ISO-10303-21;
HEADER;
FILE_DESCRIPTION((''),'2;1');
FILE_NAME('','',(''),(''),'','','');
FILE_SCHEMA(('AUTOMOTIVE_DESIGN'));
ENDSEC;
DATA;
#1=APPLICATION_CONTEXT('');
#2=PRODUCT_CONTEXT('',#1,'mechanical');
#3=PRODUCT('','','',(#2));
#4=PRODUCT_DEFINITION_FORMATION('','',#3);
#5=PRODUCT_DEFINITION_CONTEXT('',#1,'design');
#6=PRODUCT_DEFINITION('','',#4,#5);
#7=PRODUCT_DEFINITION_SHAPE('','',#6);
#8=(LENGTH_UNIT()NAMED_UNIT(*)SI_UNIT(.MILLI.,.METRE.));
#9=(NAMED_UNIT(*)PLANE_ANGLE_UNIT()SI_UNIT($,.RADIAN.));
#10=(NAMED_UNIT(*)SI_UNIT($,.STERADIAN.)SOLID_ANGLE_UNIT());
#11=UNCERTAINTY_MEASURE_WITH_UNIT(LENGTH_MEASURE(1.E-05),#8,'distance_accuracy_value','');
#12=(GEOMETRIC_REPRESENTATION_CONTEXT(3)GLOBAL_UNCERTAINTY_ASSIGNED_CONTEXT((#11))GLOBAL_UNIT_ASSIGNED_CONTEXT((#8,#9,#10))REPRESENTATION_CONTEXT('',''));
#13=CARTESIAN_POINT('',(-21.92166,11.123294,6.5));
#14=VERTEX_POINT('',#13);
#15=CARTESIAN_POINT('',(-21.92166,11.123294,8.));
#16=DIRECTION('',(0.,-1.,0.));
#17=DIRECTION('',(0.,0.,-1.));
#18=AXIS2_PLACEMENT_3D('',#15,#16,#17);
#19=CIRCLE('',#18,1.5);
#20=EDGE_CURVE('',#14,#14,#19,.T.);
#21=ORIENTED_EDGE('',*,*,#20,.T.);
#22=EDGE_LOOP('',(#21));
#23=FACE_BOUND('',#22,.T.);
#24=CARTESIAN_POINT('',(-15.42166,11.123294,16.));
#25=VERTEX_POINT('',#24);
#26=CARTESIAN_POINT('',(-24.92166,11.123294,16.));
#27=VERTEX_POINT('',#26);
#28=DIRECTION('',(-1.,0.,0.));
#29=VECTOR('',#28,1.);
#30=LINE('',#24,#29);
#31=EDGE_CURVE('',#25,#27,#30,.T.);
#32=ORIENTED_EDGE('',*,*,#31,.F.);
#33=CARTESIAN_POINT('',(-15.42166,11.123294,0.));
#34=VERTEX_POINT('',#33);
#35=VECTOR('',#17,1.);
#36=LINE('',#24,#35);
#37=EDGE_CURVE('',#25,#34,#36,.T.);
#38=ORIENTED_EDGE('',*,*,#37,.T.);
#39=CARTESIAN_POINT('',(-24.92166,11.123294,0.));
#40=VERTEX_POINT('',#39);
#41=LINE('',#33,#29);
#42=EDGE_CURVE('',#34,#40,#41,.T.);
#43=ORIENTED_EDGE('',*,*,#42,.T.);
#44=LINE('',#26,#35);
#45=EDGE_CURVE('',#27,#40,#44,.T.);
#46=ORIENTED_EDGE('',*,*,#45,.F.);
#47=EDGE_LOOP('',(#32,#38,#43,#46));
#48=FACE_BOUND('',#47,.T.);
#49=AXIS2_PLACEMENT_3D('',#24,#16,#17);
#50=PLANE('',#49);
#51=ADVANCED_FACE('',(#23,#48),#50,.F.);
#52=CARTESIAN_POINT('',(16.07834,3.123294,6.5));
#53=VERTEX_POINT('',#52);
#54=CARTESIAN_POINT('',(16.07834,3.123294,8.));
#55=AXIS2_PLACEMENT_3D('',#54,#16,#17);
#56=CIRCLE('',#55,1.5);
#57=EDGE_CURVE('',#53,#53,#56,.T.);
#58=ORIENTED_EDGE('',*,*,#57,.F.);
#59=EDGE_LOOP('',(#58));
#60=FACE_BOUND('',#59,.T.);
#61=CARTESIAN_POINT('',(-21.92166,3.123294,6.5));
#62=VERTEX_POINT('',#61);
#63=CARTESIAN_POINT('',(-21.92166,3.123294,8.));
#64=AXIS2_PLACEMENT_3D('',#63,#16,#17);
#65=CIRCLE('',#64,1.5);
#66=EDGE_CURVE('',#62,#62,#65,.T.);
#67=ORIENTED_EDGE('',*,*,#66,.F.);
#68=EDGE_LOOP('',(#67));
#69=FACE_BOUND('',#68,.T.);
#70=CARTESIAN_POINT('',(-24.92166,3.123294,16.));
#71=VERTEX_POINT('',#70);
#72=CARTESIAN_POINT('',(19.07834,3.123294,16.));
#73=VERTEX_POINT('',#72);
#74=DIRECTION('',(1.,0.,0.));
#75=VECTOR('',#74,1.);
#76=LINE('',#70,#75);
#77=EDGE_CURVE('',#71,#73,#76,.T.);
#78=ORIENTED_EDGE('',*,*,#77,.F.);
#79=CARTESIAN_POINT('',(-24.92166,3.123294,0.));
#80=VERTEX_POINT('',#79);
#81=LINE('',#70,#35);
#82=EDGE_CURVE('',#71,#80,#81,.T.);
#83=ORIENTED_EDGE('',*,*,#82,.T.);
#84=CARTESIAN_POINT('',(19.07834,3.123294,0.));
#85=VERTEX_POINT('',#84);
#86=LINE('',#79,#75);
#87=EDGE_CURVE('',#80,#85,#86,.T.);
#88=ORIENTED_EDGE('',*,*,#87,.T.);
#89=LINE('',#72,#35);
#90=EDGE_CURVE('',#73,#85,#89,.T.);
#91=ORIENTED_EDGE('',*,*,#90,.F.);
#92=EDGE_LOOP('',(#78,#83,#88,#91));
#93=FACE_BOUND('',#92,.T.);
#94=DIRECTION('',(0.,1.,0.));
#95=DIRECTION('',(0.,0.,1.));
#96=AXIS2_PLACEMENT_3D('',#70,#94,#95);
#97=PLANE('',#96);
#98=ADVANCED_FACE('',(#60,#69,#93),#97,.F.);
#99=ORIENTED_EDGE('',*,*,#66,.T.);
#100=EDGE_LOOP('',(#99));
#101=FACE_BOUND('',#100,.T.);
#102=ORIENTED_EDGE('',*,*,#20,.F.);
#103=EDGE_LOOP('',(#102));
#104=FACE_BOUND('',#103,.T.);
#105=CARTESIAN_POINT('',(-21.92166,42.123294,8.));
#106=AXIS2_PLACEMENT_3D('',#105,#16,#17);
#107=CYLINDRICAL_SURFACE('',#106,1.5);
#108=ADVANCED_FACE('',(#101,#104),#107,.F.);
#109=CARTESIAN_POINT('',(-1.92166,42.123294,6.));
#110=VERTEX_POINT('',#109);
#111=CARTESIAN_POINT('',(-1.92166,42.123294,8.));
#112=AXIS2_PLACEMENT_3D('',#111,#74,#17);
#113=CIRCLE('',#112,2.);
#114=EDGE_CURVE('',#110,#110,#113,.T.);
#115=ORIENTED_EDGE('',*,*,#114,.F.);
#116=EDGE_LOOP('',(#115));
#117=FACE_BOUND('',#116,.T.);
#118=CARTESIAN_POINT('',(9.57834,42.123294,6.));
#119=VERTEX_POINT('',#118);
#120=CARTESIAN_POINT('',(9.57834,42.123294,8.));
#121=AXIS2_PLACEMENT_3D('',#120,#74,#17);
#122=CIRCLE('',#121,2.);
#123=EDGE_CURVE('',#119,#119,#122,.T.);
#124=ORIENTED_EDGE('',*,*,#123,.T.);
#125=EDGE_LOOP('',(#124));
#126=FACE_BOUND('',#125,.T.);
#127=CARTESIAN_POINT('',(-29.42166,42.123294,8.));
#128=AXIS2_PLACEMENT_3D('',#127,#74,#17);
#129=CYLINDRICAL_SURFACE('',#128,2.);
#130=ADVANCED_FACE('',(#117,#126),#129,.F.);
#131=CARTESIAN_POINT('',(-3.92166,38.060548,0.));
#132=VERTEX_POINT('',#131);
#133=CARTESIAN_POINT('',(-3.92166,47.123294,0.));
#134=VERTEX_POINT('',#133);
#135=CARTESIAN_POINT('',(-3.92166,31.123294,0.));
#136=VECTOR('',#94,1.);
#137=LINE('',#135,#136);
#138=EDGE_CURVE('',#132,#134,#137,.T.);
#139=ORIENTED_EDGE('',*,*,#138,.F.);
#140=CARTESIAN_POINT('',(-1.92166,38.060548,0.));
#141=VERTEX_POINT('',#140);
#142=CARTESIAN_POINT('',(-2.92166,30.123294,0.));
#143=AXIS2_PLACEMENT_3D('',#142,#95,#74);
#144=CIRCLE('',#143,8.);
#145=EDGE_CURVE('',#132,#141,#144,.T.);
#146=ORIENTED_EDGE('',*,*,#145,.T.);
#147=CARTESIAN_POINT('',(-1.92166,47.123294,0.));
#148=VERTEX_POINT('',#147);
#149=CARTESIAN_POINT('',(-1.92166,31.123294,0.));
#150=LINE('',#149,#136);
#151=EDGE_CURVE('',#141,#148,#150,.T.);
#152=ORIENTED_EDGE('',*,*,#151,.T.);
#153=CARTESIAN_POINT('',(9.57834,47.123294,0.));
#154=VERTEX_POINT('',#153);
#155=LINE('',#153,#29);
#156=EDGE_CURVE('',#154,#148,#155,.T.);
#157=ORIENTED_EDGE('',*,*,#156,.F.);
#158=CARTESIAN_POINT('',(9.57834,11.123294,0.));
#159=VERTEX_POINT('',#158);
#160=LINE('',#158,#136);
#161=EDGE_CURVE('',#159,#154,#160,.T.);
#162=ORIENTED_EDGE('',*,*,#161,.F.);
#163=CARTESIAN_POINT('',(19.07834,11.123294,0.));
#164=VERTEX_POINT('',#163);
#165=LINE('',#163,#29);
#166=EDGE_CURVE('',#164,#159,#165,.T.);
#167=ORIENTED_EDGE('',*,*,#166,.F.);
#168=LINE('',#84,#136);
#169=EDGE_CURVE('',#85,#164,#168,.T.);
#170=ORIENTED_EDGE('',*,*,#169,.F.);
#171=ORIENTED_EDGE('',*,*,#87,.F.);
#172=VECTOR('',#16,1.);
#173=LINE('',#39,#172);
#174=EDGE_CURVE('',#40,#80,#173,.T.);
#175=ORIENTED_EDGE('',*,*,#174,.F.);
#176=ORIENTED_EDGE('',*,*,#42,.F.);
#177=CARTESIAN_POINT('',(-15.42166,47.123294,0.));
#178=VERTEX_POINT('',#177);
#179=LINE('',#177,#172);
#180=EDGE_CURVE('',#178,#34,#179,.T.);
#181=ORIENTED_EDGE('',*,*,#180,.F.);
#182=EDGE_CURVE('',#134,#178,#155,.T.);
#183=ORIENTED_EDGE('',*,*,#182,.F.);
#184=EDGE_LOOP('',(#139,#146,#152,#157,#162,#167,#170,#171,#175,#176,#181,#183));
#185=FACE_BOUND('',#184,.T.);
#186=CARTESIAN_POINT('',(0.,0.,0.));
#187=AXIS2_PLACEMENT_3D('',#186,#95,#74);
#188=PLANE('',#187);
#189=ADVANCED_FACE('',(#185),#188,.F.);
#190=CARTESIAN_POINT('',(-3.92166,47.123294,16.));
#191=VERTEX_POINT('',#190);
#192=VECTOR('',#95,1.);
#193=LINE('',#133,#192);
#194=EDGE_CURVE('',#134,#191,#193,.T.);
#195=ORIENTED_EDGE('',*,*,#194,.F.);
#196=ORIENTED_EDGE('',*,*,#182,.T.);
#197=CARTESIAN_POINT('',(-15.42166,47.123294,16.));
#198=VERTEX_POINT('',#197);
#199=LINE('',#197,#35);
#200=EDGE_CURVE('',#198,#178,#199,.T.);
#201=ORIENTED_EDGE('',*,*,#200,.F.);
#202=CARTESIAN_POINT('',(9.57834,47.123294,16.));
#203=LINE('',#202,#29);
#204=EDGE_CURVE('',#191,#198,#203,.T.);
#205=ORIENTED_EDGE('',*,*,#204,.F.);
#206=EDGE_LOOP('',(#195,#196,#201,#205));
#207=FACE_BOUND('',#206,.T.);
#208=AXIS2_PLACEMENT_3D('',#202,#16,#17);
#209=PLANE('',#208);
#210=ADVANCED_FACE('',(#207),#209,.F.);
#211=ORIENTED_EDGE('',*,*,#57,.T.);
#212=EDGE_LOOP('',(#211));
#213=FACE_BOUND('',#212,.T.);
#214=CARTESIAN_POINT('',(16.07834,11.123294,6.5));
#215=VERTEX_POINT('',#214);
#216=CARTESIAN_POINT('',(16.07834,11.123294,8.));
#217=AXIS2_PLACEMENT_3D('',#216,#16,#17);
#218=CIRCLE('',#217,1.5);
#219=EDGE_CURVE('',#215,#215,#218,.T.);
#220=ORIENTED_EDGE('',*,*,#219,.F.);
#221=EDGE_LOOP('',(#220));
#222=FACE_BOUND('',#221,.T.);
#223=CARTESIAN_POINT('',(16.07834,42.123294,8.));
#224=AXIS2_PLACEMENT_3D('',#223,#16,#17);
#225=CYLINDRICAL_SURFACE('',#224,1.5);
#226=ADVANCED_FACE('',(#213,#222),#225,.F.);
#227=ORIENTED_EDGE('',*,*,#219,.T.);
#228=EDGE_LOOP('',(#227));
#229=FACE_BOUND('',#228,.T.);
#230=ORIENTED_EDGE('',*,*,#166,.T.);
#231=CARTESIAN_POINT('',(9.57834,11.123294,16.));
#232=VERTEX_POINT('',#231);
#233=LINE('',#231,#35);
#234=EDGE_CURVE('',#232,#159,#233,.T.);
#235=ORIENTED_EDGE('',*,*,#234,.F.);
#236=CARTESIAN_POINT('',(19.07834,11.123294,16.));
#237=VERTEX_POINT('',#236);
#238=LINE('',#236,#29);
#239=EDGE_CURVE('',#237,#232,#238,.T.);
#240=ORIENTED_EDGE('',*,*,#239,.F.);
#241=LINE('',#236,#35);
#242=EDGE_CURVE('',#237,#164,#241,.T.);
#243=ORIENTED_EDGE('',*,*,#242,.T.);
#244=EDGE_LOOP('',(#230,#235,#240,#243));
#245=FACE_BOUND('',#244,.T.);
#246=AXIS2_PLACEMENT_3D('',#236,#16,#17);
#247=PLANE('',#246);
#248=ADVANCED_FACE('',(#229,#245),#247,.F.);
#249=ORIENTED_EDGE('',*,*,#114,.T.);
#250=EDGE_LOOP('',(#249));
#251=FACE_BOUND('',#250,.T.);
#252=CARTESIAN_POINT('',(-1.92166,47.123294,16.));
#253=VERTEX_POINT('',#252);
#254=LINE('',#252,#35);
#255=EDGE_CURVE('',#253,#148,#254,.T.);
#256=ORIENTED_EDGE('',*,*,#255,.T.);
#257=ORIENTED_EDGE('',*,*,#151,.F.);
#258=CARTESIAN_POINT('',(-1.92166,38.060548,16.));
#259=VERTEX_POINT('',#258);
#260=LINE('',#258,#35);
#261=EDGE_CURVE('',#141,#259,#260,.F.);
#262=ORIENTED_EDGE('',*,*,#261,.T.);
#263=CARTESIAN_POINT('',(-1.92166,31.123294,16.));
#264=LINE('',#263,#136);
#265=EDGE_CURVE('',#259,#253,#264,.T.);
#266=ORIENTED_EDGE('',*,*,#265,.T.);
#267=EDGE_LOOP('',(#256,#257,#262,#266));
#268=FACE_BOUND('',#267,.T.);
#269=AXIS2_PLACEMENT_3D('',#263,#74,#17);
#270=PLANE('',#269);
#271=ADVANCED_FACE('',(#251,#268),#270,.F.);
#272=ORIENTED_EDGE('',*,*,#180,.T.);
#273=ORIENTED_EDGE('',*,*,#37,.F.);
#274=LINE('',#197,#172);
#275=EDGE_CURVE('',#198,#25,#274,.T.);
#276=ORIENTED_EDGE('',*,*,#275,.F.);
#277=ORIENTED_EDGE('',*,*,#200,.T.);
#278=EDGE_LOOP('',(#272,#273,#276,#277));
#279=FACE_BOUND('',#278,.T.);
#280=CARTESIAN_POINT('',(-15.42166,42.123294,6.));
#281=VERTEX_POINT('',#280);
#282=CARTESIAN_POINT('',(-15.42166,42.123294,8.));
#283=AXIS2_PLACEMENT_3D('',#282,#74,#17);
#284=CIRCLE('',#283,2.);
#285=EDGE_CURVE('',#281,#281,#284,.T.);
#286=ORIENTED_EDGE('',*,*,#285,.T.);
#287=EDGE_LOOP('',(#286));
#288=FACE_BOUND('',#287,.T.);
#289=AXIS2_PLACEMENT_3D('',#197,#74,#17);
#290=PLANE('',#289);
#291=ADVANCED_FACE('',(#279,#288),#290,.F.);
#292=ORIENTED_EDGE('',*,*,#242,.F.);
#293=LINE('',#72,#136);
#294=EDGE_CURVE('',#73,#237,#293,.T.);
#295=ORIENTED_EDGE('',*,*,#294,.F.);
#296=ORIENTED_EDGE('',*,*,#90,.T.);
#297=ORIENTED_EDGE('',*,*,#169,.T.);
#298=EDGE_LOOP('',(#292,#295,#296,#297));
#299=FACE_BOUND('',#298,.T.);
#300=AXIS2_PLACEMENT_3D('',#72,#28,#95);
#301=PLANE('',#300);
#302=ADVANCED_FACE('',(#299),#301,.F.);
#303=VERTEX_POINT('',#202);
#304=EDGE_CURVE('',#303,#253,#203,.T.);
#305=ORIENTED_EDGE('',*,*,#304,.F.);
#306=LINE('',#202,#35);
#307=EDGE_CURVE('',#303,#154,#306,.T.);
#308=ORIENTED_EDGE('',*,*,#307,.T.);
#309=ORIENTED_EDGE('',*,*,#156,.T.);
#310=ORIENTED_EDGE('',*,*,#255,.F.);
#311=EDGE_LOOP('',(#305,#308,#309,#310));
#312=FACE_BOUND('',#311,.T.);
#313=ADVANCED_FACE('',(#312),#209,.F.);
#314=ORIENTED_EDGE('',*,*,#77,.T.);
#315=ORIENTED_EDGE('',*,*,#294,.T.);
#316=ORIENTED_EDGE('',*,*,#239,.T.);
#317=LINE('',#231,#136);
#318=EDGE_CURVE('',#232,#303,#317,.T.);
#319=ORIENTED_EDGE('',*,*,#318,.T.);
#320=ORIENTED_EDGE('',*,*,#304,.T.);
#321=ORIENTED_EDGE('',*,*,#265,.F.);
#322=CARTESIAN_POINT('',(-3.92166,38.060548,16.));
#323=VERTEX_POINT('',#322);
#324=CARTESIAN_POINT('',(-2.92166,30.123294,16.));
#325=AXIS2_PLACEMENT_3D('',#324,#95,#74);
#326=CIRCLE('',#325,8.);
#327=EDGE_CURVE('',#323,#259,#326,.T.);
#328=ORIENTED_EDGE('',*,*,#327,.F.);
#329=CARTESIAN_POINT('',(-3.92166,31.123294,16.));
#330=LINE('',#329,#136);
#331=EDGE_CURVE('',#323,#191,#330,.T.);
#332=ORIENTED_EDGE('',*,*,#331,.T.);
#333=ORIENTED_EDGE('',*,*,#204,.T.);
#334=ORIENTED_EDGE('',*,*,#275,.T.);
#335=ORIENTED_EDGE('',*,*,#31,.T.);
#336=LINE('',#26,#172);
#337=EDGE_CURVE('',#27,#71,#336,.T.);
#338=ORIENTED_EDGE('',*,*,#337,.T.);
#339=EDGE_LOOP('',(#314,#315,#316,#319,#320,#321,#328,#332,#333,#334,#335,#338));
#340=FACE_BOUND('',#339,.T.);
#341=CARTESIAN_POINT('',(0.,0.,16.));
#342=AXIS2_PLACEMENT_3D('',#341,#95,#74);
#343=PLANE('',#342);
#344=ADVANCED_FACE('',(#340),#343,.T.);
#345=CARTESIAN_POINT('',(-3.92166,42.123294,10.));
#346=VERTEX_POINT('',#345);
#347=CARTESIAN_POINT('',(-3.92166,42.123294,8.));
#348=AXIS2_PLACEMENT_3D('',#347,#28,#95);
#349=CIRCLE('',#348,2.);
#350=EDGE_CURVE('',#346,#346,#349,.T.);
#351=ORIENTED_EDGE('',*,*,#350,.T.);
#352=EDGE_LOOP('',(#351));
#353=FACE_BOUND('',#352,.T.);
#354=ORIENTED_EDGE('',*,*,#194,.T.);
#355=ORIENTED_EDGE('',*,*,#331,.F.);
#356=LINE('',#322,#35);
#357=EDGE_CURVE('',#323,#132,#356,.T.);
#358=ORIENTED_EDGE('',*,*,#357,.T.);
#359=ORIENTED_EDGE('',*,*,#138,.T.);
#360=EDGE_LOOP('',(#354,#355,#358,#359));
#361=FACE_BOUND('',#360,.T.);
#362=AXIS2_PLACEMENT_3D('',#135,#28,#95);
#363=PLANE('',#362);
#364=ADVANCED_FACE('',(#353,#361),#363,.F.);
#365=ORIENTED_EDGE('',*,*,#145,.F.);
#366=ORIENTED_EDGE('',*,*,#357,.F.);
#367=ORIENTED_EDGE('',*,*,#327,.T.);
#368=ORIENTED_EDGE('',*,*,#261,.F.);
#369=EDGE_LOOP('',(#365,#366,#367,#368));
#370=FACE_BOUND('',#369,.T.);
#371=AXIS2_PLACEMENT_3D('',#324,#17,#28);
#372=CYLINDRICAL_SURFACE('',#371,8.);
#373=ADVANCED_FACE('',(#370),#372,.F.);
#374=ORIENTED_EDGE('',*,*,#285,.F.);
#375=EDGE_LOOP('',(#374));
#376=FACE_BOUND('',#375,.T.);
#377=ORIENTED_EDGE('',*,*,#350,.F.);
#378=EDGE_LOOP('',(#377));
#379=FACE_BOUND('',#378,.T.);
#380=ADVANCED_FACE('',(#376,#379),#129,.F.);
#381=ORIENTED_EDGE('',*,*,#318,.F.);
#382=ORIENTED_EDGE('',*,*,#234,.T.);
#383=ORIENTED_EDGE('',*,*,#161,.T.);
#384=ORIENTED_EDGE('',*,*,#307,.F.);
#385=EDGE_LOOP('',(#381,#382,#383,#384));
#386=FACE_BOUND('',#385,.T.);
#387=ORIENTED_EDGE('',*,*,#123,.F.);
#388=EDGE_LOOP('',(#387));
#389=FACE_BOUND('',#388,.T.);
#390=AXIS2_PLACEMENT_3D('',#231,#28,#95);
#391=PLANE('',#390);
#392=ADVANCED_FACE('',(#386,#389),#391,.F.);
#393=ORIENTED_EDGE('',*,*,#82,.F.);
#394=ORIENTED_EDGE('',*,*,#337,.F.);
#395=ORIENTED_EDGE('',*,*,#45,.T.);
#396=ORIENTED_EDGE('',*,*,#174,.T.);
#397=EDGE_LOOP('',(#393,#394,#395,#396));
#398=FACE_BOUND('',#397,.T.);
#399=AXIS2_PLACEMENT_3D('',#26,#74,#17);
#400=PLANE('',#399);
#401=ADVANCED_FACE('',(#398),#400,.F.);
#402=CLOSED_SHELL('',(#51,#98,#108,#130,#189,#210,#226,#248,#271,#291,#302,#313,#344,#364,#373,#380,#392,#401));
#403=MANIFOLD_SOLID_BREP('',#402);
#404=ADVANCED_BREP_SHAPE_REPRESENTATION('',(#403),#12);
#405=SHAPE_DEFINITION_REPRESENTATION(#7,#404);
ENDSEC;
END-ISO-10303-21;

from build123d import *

# Parameters (mm, degrees)
SKETCH_1_R          = 8
EXTRUDE_1_DEPTH     = 16
SKETCH_2_W          = 2
SKETCH_2_H          = 16
CUT_EXTRUDE_1_DEPTH = 16
SKETCH_3_R          = 2
CUT_EXTRUDE_2_DEPTH = 39
SKETCH_4_R          = 1.5
CUT_EXTRUDE_3_DEPTH = 39


with BuildPart() as part:
    # 草图1 → 凸台-拉伸1 (new body)
    with BuildSketch(Plane.XY):
        Polygon((-24.921659643, 3.123294018), (19.078340357, 3.123294018), (19.078340357, 11.123294018), (9.578340357, 11.123294018), (9.578340357, 47.123294018), (-15.421659643, 47.123294018), (-15.421659643, 11.123294018), (-24.921659643, 11.123294018), align=None)
        with Locations((-2.921659643, 30.123294018)):
            Circle(SKETCH_1_R, mode=Mode.SUBTRACT)
    extrude(amount=EXTRUDE_1_DEPTH)

    # 草图2 → 切除-拉伸1 (cut)
    with BuildSketch(Plane(origin=(0, 47.123294018, 0), x_dir=(1, 0, 0), z_dir=(0, 1, 0))):
        with Locations((-2.921659643, -8)):
            Rectangle(SKETCH_2_W, SKETCH_2_H)
    extrude(amount=-CUT_EXTRUDE_1_DEPTH, mode=Mode.SUBTRACT)

    # 草图3 → 切除-拉伸2 (cut)
    with BuildSketch(Plane(origin=(9.578340357, 0, 0), x_dir=(0, 0, -1), z_dir=(1, 0, 0))):
        with Locations((-8, 42.123294018)):
            Circle(SKETCH_3_R)
    extrude(amount=-CUT_EXTRUDE_2_DEPTH, mode=Mode.SUBTRACT)

    # 草图4 → 切除-拉伸3 (cut)
    with BuildSketch(Plane.XZ.offset(-3.123294018)):
        with Locations((-21.921659643, 8)):
            Circle(SKETCH_4_R)
        with Locations((16.078340357, 8)):
            Circle(SKETCH_4_R)
    extrude(amount=-CUT_EXTRUDE_3_DEPTH, mode=Mode.SUBTRACT)


solid = part.part
